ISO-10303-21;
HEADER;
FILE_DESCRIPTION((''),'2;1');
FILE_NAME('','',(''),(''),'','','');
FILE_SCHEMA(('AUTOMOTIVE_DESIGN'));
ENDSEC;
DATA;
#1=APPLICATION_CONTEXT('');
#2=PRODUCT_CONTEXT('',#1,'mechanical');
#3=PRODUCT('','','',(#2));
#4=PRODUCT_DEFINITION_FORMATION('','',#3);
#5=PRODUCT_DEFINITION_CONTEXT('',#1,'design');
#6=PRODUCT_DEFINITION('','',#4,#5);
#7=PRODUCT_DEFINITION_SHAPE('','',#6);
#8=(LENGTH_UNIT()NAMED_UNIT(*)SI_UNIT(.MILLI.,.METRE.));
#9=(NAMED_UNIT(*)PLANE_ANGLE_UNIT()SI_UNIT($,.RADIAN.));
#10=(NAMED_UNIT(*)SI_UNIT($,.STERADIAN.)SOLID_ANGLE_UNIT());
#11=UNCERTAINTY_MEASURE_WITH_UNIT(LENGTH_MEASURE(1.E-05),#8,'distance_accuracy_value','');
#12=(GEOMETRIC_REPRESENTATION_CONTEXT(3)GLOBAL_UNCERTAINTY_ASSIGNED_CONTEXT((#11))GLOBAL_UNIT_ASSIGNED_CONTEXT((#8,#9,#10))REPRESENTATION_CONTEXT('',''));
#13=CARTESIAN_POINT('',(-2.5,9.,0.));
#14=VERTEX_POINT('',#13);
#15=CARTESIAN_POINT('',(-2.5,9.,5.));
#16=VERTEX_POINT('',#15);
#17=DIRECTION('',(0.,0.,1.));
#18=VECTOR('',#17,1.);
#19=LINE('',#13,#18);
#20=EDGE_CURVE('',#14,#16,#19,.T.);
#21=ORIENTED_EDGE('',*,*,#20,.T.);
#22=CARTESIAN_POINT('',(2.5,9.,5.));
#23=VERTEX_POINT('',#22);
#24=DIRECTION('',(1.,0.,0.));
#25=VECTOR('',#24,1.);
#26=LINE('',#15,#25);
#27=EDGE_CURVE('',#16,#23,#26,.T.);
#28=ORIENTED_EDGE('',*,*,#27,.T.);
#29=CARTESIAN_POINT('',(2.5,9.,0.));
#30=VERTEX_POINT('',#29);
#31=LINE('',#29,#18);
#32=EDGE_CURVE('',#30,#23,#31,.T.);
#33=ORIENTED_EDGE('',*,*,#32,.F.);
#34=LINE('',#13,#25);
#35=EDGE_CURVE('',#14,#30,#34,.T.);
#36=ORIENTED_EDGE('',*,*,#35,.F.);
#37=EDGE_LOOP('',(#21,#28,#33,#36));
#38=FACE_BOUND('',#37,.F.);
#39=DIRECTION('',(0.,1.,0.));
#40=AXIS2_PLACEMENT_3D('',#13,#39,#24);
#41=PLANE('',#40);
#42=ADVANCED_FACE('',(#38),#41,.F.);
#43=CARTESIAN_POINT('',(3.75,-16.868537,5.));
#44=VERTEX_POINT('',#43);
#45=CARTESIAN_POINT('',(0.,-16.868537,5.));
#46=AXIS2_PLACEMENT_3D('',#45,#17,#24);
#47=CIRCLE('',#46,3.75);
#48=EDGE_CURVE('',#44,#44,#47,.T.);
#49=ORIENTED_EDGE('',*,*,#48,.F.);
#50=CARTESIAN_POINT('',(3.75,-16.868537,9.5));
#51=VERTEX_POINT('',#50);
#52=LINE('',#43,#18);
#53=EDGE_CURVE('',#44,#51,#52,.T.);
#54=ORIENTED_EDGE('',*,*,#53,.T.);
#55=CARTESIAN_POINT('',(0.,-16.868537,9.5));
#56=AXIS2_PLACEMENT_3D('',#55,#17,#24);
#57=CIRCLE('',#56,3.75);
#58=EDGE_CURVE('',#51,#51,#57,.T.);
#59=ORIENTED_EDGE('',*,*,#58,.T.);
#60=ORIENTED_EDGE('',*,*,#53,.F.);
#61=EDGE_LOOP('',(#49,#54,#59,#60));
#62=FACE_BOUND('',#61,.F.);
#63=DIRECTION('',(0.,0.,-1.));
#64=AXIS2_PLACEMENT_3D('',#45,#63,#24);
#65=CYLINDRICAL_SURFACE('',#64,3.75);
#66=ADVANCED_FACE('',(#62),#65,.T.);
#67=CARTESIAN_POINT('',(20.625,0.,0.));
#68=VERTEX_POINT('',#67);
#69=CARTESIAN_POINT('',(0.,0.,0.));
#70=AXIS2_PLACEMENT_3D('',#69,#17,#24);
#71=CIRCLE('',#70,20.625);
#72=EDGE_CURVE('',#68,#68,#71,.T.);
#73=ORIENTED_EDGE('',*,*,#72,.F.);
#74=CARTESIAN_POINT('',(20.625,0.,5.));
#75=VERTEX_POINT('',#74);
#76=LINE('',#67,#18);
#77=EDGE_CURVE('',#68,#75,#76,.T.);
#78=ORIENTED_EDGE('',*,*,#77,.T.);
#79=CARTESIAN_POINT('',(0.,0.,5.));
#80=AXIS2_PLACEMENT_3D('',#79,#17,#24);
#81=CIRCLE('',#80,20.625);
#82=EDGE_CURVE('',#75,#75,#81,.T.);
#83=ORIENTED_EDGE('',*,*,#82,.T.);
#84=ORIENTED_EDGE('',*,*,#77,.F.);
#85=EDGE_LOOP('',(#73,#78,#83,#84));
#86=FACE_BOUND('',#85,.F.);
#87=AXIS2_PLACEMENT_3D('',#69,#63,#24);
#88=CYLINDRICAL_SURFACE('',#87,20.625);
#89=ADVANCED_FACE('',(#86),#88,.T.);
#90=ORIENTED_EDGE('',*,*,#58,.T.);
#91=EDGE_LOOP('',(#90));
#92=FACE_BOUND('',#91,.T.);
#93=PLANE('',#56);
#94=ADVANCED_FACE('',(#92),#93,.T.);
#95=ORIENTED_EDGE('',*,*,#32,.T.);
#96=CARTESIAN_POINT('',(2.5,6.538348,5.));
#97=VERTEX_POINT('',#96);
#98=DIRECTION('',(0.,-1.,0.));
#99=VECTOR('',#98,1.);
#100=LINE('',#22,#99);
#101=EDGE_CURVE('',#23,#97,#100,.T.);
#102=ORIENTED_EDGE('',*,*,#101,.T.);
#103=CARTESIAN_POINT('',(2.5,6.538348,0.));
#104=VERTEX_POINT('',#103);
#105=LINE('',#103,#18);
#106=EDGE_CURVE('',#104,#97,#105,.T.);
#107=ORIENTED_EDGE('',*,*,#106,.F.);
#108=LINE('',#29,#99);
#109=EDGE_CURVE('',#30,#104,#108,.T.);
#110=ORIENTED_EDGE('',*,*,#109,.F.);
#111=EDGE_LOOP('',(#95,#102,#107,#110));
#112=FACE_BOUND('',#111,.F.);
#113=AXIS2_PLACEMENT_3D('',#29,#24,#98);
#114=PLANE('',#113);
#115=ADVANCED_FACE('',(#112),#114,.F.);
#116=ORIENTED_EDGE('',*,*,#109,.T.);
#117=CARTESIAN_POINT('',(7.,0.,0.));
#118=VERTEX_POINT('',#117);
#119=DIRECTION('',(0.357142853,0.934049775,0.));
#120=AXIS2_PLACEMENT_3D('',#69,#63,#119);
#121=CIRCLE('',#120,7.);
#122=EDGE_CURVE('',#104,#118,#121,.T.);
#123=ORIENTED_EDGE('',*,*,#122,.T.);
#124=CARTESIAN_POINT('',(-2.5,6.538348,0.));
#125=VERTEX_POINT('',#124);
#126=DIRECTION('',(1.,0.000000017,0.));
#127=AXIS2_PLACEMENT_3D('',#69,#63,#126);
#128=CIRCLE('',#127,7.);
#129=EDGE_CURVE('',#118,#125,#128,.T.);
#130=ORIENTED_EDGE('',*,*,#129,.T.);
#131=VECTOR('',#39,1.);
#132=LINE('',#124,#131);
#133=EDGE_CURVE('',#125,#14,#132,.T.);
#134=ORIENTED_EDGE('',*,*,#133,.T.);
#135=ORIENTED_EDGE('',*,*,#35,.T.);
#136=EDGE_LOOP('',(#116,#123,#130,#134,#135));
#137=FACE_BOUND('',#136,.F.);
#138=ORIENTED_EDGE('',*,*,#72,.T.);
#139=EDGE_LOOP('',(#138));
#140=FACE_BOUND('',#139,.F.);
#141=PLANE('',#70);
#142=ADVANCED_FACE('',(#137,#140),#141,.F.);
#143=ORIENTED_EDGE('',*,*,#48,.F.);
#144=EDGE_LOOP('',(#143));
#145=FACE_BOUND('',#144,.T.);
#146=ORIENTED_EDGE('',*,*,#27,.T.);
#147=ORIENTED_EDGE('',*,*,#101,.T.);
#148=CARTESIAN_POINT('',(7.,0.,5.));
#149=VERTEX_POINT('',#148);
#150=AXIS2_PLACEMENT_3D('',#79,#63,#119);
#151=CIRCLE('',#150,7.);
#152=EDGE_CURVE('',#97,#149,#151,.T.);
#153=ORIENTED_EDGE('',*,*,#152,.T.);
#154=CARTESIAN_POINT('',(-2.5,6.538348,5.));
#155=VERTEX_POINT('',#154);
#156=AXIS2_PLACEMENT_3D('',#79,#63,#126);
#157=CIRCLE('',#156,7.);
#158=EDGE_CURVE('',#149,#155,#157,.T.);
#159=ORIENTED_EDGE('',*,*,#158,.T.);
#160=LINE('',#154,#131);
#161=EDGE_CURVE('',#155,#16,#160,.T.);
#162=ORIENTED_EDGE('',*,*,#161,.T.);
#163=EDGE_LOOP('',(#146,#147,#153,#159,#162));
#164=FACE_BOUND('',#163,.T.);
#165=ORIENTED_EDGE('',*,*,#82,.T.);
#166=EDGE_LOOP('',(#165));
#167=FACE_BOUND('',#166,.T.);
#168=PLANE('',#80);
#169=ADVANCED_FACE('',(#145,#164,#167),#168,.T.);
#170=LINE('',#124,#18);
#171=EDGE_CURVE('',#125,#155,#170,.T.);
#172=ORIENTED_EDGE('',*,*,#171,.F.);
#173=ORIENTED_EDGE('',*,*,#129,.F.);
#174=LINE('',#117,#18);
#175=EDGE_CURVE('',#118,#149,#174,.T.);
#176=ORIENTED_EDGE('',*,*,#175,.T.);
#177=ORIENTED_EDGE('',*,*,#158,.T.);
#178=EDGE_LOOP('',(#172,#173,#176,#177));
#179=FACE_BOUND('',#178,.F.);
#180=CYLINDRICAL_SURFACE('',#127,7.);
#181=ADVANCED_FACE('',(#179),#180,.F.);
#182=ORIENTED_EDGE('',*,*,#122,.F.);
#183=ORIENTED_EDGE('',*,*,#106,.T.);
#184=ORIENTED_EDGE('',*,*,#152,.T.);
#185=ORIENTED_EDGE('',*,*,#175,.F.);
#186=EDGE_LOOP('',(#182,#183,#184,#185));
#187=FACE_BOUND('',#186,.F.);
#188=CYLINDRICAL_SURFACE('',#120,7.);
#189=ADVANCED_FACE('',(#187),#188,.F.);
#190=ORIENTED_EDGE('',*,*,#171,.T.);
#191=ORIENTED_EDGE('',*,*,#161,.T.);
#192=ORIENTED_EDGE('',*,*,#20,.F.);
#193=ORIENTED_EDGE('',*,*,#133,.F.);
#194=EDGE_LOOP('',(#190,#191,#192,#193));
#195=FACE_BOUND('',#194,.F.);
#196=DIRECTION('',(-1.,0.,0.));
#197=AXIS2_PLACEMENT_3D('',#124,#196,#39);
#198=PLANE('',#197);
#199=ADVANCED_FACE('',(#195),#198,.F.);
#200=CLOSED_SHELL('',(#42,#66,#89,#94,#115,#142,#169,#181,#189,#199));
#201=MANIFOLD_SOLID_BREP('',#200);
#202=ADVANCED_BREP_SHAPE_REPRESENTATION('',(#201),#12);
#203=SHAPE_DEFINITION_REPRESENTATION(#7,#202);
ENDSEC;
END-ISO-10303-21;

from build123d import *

# Parameters (mm, degrees)
F0_R     = 20.625
F1_DEPTH = 5
F3_R     = 3.75
F4_DEPTH = 4.5


with BuildPart() as f1:
    # F0 (on Top) → F1 (new body)
    with BuildSketch(Plane.XY):
        Circle(F0_R)
        with BuildLine():
            ThreePointArc((2.5, 6.538348), (5.766281, 3.968627), (7, 0))
            ThreePointArc((7, 0), (-3.968627, -5.766281), (-2.5, 6.538348))
            Line((-2.5, 6.538348), (-2.5, 9))
            Line((-2.5, 9), (2.5, 9))
            Line((2.5, 9), (2.5, 6.538348))
        make_face(mode=Mode.SUBTRACT)
    extrude(amount=F1_DEPTH)

    # F3 (on face) → F4 (join)
    with BuildSketch(Plane.XY.offset(5)):
        with Locations((0, -16.868537)):
            Circle(F3_R)
    extrude(amount=F4_DEPTH)


solid = f1.part
